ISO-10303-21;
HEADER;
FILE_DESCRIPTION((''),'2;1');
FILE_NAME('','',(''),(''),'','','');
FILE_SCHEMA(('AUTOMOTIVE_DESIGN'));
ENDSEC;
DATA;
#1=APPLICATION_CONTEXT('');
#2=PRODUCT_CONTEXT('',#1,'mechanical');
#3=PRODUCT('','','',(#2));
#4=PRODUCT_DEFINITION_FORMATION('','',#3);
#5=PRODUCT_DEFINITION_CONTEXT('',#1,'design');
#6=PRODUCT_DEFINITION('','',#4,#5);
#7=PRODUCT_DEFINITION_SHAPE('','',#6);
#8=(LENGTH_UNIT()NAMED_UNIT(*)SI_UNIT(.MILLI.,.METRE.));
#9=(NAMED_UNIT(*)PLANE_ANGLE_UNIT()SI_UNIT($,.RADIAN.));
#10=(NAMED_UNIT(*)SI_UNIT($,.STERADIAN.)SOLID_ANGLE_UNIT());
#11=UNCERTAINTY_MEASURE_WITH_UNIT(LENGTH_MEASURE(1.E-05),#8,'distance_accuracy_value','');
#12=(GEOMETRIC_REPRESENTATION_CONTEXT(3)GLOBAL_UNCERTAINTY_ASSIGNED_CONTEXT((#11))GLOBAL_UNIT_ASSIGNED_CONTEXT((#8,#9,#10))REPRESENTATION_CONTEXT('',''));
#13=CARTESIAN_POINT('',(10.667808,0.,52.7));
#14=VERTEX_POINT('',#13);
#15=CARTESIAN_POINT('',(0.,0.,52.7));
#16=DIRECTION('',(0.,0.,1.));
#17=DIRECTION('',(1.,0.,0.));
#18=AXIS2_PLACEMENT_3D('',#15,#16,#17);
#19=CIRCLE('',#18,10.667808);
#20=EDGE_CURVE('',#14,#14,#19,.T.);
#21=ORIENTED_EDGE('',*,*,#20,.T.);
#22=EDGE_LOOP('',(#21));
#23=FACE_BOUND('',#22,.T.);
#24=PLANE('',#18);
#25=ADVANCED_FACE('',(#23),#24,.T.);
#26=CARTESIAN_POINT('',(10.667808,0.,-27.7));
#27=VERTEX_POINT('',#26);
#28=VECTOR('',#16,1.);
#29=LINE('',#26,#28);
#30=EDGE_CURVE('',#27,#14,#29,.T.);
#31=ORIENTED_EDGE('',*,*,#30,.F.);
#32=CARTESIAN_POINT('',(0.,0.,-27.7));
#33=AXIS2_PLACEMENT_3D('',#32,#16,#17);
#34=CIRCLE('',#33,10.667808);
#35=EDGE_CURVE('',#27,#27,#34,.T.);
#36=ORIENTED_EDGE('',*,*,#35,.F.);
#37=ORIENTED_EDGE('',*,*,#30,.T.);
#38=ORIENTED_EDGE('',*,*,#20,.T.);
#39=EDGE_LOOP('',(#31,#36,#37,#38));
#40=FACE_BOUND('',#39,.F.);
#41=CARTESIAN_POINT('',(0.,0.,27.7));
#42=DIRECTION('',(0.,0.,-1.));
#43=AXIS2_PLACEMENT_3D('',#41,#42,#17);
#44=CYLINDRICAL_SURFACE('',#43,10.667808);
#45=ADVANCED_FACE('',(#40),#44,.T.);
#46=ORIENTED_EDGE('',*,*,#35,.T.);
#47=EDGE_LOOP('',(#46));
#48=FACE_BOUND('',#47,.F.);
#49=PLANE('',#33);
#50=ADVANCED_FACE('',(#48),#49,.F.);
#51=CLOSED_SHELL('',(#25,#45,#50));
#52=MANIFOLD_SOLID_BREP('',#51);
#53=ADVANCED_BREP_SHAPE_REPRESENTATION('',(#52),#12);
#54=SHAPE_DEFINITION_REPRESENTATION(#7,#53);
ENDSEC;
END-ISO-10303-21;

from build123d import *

# Parameters (mm, degrees)
F0_R     = 10.6678083168
F1_DEPTH = 27.7
F2_DEPTH = 25


with BuildPart() as f1:
    # F0 (on Top) → F1 (new body, symmetric)
    with BuildSketch(Plane.XY):
        Circle(F0_R)
    extrude(amount=F1_DEPTH, both=True)

    # F2 (add): a face of the model
    f2_faces = [f1.faces().sort_by_distance(p)[0] for p in [
        (0, 0, 27.7),
    ]]
    extrude(f2_faces, amount=F2_DEPTH)


solid = f1.part
